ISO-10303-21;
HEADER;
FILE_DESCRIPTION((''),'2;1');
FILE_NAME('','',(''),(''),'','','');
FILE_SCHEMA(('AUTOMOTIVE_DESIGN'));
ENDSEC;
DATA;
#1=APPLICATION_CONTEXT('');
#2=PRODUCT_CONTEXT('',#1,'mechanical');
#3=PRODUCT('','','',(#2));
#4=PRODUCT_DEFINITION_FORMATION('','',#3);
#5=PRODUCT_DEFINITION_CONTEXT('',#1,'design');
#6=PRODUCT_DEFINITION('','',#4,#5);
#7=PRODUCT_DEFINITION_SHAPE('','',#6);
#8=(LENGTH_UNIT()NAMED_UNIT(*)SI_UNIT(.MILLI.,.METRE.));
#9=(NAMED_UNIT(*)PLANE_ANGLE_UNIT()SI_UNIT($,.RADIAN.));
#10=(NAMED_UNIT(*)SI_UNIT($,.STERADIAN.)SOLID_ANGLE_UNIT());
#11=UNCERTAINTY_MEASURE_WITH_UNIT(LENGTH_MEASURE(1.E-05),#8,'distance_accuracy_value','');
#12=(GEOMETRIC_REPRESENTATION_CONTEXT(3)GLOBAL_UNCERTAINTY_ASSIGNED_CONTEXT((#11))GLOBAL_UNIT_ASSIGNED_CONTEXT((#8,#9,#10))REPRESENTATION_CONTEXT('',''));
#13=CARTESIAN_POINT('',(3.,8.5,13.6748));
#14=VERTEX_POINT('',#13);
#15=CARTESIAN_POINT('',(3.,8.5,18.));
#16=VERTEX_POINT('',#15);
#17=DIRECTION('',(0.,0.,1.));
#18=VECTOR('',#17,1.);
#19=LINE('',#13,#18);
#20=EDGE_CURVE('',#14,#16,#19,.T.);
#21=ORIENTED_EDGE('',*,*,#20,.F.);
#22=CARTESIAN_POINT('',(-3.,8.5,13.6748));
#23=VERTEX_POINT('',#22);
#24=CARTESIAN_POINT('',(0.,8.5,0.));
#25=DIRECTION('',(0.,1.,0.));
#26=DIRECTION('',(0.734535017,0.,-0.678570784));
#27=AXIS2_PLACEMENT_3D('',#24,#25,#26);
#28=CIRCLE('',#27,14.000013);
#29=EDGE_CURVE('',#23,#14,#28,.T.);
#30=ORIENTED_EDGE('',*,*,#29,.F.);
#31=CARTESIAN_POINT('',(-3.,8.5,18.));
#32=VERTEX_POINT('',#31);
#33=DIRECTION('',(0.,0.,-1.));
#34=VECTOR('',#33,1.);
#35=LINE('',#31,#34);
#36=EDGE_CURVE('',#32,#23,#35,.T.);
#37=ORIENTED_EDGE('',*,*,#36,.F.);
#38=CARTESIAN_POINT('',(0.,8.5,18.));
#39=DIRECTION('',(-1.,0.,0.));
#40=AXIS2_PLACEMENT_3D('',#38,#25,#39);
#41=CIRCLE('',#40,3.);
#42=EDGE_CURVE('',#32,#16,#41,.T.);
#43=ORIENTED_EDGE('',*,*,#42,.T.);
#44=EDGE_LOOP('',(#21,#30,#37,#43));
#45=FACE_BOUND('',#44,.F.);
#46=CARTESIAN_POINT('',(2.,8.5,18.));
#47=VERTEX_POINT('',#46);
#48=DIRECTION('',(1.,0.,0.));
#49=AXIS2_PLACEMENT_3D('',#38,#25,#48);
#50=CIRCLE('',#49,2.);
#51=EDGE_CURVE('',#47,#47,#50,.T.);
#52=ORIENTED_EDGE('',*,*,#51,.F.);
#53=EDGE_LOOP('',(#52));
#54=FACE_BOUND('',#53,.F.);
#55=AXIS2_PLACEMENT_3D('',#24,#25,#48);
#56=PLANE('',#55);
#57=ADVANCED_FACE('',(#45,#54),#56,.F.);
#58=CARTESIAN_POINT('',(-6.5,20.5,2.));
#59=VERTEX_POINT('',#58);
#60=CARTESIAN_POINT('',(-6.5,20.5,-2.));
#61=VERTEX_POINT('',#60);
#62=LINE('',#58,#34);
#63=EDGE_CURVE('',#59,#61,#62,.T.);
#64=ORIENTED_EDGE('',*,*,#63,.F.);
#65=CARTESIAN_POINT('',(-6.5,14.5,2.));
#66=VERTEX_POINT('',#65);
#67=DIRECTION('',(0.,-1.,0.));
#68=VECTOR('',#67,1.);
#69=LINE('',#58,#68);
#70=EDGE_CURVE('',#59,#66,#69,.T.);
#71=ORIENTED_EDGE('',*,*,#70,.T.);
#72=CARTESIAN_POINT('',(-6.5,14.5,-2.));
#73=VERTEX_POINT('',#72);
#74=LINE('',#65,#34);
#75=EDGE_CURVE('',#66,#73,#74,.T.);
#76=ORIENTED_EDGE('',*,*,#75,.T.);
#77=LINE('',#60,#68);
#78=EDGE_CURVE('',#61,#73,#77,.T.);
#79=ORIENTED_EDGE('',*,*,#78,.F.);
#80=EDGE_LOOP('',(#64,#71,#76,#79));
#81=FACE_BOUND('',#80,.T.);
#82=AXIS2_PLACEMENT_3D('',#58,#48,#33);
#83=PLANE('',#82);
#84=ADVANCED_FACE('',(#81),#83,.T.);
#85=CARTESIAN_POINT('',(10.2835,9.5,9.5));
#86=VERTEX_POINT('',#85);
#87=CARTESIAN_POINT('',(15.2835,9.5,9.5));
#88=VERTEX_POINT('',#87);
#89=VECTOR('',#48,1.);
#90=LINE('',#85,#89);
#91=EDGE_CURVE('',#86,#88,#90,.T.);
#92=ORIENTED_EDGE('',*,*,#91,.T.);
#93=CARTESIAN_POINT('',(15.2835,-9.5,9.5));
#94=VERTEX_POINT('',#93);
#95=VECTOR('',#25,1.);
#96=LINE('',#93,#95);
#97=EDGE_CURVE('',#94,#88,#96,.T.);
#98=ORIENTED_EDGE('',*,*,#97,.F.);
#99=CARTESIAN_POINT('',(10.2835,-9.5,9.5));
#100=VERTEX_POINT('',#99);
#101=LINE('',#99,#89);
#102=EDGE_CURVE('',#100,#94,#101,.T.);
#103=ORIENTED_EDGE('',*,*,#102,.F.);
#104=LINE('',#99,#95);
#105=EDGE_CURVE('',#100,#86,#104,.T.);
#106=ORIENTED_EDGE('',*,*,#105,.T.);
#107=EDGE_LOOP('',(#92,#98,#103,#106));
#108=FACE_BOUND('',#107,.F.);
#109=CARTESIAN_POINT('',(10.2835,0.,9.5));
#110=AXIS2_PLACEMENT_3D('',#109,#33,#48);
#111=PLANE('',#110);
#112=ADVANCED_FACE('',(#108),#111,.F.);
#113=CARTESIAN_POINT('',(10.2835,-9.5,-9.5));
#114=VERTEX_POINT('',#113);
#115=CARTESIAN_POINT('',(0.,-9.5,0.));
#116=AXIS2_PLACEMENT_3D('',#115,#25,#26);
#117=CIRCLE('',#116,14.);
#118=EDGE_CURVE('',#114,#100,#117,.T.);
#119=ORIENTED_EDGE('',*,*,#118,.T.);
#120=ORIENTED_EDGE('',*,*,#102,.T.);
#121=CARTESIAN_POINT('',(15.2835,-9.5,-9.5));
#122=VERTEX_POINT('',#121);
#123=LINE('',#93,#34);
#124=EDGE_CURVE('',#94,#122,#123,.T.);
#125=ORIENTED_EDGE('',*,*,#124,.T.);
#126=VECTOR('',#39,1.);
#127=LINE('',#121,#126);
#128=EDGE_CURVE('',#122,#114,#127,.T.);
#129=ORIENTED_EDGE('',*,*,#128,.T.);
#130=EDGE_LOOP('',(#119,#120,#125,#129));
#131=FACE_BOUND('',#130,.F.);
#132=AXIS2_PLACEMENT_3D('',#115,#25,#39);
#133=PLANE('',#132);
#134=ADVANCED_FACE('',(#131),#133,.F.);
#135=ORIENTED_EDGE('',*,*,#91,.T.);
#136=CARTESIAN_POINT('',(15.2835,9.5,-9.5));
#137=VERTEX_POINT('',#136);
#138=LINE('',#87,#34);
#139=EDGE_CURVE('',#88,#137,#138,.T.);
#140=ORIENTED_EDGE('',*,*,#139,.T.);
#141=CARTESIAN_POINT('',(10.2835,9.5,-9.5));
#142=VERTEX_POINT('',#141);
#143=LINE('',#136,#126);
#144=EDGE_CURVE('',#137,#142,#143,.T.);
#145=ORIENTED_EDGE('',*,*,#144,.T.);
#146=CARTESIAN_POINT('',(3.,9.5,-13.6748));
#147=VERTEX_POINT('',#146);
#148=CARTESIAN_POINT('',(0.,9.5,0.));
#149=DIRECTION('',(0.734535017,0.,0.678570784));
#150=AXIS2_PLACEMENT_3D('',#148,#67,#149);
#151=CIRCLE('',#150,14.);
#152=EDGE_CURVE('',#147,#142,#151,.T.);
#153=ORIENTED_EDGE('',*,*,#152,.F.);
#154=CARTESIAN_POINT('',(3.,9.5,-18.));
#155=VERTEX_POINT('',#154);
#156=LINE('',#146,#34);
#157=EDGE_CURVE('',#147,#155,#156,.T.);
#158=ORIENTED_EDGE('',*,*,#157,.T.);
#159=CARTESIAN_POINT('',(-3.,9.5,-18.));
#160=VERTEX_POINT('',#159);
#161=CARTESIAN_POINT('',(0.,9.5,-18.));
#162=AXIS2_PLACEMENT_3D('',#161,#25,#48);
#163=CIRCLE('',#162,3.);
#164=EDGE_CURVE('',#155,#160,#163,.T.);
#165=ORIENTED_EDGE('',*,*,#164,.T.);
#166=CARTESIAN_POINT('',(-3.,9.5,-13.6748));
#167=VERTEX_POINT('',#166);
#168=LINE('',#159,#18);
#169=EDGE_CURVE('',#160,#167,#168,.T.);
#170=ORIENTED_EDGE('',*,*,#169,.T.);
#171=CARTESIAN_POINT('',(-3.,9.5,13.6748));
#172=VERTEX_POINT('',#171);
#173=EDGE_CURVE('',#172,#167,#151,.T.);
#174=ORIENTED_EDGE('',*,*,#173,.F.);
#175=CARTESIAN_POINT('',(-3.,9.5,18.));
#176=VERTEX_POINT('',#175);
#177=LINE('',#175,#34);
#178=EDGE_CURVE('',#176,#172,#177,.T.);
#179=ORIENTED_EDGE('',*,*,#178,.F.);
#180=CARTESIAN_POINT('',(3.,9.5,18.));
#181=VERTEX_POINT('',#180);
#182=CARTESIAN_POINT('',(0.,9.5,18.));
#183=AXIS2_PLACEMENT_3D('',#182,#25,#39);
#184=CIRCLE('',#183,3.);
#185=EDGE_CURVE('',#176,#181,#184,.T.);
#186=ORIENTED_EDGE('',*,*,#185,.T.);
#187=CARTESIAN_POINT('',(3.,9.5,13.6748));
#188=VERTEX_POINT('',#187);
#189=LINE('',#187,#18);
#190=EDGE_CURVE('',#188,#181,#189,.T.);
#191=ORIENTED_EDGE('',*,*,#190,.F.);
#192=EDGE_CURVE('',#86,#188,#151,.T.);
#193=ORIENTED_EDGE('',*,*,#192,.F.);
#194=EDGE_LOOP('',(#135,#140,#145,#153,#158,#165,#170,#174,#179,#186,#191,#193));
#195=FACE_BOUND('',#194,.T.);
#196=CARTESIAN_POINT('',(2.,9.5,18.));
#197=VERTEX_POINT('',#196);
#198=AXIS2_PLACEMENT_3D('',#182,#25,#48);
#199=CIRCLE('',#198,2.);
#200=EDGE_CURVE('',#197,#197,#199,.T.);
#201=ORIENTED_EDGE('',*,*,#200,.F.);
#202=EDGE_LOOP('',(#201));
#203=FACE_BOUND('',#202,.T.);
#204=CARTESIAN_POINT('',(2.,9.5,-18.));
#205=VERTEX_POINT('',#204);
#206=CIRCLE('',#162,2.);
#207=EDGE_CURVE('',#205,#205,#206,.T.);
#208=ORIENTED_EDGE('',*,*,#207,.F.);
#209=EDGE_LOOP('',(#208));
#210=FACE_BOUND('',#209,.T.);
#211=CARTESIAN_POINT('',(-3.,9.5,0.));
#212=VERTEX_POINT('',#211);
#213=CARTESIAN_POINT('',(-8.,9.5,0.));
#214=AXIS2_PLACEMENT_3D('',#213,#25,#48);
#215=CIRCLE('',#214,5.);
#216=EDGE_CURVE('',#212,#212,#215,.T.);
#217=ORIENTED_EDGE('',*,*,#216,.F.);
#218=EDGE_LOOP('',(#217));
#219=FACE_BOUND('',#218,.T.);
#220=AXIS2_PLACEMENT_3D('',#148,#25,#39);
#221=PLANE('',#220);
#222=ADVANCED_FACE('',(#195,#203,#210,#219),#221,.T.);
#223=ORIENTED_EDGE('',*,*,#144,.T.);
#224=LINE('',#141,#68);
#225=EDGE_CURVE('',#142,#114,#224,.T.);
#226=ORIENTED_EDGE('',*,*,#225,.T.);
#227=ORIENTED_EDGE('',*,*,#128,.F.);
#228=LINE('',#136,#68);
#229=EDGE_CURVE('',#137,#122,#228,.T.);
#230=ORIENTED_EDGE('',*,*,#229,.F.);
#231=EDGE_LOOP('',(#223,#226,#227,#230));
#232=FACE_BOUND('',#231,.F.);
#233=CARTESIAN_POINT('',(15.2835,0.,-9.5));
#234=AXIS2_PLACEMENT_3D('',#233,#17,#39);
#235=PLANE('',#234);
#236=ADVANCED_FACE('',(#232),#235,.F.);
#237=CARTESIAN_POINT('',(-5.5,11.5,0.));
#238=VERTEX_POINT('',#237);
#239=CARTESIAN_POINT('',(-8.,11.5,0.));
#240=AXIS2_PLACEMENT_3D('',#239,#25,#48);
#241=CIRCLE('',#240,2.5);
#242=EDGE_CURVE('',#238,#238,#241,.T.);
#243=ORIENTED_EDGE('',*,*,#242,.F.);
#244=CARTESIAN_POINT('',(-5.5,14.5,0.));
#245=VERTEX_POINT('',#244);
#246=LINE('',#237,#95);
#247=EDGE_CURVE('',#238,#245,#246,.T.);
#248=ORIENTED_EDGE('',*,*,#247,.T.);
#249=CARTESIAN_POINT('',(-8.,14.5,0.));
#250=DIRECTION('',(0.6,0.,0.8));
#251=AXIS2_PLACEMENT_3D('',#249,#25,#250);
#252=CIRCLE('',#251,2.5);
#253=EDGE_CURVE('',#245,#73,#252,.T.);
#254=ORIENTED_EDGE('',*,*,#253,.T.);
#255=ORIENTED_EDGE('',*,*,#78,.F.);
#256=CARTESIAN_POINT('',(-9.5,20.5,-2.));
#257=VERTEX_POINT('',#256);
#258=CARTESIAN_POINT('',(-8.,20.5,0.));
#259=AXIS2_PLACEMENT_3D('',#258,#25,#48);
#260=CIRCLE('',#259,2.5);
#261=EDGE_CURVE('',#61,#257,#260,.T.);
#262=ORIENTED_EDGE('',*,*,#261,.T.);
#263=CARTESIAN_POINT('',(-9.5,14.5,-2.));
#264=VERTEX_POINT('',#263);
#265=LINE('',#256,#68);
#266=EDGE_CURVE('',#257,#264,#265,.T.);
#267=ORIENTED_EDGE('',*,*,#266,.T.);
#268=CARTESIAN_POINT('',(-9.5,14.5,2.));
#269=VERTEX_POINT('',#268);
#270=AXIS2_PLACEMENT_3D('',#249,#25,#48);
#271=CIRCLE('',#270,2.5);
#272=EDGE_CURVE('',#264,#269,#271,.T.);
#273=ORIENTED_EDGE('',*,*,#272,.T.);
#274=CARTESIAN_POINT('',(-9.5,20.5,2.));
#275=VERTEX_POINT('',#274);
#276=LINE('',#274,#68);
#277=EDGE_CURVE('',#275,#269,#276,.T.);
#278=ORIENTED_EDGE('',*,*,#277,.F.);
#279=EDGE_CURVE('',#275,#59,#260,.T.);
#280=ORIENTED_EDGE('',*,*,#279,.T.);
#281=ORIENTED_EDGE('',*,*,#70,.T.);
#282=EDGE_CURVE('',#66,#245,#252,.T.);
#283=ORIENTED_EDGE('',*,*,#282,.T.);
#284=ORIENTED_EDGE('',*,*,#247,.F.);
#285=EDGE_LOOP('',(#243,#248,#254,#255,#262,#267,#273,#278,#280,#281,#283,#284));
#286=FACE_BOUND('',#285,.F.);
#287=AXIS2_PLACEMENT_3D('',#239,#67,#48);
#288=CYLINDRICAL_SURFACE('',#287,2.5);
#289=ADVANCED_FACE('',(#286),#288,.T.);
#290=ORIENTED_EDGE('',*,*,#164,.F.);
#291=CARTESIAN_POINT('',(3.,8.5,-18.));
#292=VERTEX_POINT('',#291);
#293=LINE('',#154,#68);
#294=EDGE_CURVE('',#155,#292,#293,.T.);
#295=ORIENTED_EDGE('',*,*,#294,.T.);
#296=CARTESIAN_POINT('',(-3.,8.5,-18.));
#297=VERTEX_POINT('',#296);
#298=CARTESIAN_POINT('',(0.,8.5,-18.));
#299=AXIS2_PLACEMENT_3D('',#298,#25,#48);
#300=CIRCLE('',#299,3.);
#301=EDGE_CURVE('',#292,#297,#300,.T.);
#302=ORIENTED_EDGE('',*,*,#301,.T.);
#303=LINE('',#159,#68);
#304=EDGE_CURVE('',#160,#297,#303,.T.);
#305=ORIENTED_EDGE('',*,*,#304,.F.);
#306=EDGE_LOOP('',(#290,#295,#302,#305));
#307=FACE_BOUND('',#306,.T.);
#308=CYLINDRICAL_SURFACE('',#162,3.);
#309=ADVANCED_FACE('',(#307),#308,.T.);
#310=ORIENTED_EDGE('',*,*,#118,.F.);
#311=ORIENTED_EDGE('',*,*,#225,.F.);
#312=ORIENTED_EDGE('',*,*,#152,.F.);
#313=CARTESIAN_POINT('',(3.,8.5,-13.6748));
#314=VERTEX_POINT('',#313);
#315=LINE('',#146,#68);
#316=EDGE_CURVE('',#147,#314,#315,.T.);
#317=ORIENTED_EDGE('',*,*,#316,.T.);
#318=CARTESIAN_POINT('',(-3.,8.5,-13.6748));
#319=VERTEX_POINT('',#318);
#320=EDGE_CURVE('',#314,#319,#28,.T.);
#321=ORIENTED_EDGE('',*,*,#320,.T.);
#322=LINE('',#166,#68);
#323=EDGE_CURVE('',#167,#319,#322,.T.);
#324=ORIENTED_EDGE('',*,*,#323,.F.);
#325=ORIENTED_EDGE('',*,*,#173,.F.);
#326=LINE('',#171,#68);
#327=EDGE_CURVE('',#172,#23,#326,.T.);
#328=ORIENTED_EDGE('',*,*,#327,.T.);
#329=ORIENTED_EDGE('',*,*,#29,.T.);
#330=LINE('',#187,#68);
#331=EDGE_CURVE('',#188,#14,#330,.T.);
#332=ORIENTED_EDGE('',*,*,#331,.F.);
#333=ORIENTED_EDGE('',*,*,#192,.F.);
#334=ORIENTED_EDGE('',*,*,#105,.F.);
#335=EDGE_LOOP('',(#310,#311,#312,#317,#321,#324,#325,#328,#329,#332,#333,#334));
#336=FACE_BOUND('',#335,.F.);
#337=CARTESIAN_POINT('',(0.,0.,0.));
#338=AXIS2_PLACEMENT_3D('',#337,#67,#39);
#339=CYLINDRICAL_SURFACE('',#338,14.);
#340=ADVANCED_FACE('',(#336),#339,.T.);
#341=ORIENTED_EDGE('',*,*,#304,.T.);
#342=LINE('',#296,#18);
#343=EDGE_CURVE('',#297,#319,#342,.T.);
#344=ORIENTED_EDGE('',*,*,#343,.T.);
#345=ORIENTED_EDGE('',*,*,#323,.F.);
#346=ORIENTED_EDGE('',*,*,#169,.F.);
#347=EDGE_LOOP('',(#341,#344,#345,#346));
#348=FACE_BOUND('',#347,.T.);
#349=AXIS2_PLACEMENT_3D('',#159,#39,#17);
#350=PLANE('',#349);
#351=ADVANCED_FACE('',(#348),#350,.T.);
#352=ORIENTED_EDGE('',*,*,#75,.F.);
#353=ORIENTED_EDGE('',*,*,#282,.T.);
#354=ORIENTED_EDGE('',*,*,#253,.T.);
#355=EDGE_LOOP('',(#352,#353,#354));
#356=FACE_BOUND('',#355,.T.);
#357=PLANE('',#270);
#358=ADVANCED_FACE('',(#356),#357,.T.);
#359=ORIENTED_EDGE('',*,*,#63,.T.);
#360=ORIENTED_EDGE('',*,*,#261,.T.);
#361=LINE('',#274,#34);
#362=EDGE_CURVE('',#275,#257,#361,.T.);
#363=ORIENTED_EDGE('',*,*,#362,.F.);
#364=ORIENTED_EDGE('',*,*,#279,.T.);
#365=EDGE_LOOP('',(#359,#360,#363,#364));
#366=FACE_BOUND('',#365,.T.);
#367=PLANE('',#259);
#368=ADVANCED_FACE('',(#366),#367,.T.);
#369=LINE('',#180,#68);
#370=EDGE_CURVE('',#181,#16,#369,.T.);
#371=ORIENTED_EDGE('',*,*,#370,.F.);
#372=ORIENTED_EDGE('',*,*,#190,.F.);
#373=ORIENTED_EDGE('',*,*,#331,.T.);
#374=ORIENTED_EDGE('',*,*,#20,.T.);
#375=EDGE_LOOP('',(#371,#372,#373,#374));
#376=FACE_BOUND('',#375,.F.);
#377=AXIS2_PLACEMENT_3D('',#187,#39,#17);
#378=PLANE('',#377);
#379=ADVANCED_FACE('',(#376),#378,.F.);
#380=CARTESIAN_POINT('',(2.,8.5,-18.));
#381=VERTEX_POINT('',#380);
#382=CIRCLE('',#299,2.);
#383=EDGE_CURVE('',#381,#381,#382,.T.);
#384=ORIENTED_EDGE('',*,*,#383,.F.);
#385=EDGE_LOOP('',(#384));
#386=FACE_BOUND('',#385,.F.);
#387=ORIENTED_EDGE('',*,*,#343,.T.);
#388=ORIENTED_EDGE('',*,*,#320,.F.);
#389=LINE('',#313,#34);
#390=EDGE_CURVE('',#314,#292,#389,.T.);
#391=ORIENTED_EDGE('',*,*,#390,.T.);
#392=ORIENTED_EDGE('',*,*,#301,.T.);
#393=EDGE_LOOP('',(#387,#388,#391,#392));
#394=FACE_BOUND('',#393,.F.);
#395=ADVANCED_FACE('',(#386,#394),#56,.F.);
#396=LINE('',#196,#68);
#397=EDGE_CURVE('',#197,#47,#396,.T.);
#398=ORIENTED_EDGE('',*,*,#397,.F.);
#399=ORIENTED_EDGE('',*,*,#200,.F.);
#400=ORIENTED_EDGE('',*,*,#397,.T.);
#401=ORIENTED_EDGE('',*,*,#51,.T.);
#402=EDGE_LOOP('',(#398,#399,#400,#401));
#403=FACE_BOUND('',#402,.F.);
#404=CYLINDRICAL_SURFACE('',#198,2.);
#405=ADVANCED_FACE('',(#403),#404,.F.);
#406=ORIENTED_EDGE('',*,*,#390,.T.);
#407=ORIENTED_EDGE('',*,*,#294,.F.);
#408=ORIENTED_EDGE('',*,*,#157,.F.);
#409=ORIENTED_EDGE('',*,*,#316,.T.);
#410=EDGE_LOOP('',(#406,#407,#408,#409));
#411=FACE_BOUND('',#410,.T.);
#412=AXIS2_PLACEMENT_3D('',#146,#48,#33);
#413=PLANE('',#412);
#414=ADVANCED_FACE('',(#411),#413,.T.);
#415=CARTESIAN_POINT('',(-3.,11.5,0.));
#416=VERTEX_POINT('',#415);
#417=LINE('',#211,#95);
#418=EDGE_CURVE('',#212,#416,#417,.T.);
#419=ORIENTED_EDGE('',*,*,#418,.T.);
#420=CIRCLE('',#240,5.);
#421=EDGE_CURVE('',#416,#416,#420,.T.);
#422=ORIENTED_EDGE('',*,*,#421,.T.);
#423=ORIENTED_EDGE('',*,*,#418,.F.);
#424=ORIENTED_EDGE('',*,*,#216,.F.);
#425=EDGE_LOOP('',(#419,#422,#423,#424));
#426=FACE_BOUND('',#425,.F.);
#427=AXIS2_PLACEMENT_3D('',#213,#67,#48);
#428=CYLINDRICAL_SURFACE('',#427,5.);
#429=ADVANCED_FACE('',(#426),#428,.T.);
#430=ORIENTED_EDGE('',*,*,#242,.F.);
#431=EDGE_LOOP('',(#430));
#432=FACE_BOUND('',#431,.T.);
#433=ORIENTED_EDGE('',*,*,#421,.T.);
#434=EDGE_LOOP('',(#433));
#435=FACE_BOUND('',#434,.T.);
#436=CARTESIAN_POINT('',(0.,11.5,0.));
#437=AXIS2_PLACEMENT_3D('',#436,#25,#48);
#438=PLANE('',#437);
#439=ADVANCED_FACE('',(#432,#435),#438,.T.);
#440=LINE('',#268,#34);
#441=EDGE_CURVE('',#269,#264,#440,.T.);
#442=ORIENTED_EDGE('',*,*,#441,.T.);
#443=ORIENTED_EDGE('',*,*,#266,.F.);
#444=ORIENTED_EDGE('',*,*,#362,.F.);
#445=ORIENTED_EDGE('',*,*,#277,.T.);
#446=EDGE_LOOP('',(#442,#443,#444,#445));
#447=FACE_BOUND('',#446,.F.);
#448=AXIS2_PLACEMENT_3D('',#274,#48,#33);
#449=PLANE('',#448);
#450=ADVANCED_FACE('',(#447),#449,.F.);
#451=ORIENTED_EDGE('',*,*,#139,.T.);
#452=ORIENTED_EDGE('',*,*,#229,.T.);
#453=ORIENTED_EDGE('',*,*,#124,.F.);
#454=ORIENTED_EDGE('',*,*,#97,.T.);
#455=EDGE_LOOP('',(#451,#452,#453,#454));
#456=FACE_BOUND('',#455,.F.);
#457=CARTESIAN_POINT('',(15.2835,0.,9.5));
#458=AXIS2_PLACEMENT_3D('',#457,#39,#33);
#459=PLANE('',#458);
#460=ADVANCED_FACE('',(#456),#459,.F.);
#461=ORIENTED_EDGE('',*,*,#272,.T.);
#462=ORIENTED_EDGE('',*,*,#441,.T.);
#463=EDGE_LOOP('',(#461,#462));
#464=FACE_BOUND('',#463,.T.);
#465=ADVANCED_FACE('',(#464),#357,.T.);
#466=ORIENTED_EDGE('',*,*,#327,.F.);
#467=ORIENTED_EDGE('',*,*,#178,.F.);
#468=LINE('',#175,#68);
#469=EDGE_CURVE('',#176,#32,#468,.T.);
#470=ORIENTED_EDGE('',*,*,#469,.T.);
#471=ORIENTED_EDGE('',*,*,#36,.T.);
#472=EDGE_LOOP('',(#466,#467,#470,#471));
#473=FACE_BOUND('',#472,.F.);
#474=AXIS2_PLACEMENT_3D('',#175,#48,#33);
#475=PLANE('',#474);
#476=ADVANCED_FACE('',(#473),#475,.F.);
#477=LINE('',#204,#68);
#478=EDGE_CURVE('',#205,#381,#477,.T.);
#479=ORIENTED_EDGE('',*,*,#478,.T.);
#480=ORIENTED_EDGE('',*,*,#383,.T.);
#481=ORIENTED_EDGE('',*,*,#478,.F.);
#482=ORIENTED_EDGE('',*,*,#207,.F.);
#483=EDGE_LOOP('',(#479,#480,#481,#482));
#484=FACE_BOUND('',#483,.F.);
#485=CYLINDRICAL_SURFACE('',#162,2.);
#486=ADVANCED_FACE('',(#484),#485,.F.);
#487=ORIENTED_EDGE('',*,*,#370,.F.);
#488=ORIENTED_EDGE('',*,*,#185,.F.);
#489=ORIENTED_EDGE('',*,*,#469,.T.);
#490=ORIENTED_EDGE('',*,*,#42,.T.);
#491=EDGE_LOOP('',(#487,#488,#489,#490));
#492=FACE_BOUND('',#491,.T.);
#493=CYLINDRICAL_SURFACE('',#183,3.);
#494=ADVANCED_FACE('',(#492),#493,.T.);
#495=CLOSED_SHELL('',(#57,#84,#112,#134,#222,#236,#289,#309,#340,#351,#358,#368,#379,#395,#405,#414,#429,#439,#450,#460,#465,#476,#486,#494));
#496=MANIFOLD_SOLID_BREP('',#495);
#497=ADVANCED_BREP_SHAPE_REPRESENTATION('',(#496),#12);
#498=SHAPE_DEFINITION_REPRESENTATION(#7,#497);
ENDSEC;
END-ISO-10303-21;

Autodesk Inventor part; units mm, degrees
ref_plane "YZ Plane" through (0, 0, 0) normal (1, 0, 0) x (0, 1, 0)
ref_plane "XZ Plane" through (0, 0, 0) normal (0, 1, 0) x (-1, 0, 0)
ref_plane "XY Plane" through (0, 0, 0) normal (0, 0, 1) x (1, 0, 0)
sketch "Sketch1" plane through (0, 0, 0) normal (0, 1, 0) x (-1, 0, 0)
  circle A0 centre (0, 0) radius 14
  line L0 (-10.2835, 9.5) -> (-15.2835, 9.5)
  line L1 (-15.2835, 9.5) -> (-15.2835, -9.5)
  line L2 (-15.2835, -9.5) -> (-10.2835, -9.5)
  line L3 (-10.2835, -9.5) -> (-10.2835, 9.5)
  point P0 (-10.2835, 0)
  dimension "d0" = 28
  dimension "d3" = 5
  dimension "d4" = 19
extrude "Extrusion1" add sketch "Sketch1" along normal mid plane 19
sketch "Sketch2" plane through (0, 9.5, 0) normal (0, 1, 0) x (1, 0, 0)
  line L0 (0, 0) -> (15.2835, 0) construction
  line L1 (15.2835, -9.5) -> (15.2835, 9.5) projected
  circle A0 centre (0, 18) radius 2
  arc A1 (10.2835, 9.5) -> (10.2835, -9.5) centre (0, 0) ccw projected
  line L2 (-3, 13.6748) -> (3, 13.6748)
  line L3 (3, 13.6748) -> (3, 18)
  line L4 (3, 18) -> (-3, 18) construction
  line L5 (-3, 18) -> (-3, 13.6748)
  arc A2 (3, 18) -> (-3, 18) centre (0, 18) ccw
  circle A3 centre (0, -18) radius 2
  line L6 (-3, -13.6748) -> (3, -13.6748)
  line L7 (3, -13.6748) -> (3, -18)
  line L8 (3, -18) -> (-3, -18) construction
  line L9 (-3, -18) -> (-3, -13.6748)
  arc A4 (-3, -18) -> (3, -18) centre (0, -18) ccw
  point P0 (0, 14)
  point P1 (0, 13.6748)
  point P2 (0, -14)
  point P3 (0, -13.6748)
  dimension "d5" = 4
  dimension "d6" = 4
  dimension "d7" = 3
extrude "Extrusion2" add sketch "Sketch2" against normal blind 1 contours A1 L7 A4 L9 | A1 L5 A2 L3
sketch "Sketch3" plane through (0, 9.5, 0) normal (0, 1, 0) x (1, 0, 0)
  circle A0 centre (-8, 0) radius 5
  arc A1 (-3, 13.6748) -> (-3, -13.6748) centre (0, 0) ccw projected
  point P0 (-14, 0)
  point P1 (-14, 0)
  dimension "d10" = 10
  dimension "d11" = 6
extrude "Extrusion3" add sketch "Sketch3" along normal blind 2
sketch "Sketch4" plane through (-8, 11.5, 0) normal (0, 1, 0) x (1, 0, 0)
  circle A0 centre (0, 0) radius 2.5
  circle A1 centre (0, 0) radius 5 projected
  point P0 (8, 0)
  dimension "d14" = 5
extrude "Extrusion4" add sketch "Sketch4" along normal blind 9 contours A0
sketch "Sketch5" plane through (-8, 20.5, 0) normal (0, 1, 0) x (1, 0, 0)
  circle A0 centre (0, 0) radius 2.5 projected
  circle A1 centre (0, 0) radius 2.5 projected
  line L0 (1.5, -2) -> (1.5, 2)
  line L1 (0, -2.5) -> (0, 2.5) construction
  line L2 (-1.5, -2) -> (-1.5, 2)
  point P0 (8, 0)
  dimension "d19" = 3
extrude "Extrusion5" cut sketch "Sketch5" against normal blind 6 contours A0 L0 | L2 A0
properties part number "smol stepper"
